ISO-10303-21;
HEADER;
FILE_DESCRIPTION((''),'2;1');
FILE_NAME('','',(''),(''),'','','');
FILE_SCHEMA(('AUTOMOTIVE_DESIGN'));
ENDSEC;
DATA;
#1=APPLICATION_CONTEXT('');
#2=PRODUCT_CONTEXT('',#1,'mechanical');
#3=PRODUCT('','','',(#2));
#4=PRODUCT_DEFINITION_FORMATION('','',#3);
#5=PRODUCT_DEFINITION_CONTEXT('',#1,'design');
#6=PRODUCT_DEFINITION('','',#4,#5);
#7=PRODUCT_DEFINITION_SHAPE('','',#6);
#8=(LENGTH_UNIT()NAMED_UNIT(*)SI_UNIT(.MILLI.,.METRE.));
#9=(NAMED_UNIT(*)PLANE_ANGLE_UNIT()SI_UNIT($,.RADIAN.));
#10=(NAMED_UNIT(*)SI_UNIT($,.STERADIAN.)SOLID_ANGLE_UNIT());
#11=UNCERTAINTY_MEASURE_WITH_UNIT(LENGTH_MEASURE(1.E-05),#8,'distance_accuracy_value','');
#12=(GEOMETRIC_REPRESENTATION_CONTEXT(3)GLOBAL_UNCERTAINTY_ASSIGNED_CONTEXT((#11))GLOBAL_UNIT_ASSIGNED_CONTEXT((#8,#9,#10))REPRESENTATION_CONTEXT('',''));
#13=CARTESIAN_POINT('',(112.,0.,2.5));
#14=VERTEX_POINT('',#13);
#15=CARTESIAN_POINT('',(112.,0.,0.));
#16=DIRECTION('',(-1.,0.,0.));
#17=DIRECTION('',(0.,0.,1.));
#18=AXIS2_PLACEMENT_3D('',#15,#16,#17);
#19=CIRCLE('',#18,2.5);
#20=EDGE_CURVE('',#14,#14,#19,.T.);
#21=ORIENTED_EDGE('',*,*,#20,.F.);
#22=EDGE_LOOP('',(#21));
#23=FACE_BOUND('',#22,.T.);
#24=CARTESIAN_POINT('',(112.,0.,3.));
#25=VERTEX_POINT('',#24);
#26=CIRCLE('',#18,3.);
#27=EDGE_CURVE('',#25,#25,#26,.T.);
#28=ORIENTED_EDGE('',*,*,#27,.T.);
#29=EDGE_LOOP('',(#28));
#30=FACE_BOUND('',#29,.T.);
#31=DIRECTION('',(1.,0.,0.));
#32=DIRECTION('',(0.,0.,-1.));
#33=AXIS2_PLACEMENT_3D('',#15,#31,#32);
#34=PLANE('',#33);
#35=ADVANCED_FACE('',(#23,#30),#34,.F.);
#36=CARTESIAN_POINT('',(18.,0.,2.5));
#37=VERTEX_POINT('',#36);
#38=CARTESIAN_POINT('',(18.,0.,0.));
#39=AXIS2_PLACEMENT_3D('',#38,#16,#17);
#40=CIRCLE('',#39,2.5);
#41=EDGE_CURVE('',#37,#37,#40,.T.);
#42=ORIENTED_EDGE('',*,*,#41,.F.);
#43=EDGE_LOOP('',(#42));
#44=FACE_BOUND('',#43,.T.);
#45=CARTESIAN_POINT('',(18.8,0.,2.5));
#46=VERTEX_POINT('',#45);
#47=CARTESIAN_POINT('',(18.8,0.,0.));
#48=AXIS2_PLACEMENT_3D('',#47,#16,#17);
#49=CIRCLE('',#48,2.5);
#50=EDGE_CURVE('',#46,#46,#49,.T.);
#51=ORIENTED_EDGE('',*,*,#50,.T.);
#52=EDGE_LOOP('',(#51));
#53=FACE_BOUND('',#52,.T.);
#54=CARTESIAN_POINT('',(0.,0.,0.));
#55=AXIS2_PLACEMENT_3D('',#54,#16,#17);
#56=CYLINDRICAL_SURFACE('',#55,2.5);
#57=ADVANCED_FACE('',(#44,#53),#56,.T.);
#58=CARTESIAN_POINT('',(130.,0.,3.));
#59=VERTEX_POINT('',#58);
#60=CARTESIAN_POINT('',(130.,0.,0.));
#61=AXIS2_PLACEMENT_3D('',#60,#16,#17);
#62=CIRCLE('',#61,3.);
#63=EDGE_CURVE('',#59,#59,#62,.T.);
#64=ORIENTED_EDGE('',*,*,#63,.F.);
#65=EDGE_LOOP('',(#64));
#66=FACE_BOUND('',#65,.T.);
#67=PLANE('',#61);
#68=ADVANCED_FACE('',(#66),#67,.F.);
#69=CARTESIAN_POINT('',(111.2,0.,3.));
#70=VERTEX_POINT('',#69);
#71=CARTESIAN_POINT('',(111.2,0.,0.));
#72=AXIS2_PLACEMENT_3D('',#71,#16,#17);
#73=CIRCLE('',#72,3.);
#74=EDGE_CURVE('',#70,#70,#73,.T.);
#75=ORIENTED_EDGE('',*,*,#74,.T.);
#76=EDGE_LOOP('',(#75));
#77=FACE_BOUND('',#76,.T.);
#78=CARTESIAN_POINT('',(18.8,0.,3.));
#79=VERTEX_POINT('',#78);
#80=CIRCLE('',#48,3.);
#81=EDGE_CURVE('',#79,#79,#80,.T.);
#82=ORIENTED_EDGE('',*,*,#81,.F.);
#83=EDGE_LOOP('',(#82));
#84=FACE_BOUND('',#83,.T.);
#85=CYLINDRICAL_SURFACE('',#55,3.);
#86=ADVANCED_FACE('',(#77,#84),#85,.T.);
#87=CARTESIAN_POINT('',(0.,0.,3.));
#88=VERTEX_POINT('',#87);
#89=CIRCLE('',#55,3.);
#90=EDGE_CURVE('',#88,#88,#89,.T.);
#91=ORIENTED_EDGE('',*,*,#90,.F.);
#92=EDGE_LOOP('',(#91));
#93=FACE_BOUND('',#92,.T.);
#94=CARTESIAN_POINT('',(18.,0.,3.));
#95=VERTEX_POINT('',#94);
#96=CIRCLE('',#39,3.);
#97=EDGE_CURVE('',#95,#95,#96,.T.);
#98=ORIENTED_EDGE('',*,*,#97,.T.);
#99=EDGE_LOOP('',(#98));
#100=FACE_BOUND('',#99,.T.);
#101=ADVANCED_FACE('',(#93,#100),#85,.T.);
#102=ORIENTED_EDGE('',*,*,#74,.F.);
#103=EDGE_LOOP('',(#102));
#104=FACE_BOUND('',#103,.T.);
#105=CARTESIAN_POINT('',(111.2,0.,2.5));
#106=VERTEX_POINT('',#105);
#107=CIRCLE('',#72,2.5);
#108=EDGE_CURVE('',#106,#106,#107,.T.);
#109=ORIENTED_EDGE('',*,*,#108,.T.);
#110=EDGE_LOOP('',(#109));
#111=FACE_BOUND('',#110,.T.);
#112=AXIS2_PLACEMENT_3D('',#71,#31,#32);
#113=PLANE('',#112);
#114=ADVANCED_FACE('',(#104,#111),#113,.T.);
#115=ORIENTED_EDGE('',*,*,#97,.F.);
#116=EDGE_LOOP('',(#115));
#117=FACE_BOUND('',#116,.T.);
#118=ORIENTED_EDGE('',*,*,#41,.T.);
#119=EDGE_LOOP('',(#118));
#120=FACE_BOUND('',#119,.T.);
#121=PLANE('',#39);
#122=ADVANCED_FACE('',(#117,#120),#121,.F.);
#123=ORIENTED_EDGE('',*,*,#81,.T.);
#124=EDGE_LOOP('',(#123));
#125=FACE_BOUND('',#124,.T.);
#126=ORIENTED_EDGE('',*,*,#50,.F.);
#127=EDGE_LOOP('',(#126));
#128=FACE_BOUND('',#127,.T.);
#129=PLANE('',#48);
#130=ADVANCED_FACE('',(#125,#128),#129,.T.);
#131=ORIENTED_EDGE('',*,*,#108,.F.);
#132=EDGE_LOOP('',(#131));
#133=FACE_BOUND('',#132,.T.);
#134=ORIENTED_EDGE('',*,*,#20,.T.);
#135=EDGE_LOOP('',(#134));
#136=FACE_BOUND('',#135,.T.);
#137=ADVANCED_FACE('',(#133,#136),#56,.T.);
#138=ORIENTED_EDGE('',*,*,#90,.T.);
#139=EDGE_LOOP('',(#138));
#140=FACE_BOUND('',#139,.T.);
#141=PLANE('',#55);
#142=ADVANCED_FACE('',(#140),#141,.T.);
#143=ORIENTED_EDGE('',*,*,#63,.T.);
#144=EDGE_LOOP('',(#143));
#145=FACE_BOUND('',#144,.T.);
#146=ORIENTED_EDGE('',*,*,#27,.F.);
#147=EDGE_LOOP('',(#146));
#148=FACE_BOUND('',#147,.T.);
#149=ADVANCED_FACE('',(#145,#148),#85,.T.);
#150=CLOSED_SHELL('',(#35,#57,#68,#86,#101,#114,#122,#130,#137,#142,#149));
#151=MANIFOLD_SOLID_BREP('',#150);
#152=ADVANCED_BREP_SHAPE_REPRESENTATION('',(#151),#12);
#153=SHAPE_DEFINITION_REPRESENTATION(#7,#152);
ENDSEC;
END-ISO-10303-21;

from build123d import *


with BuildPart() as part:
    # Sketch2 → Revolve1 (revolve)
    with BuildSketch(Plane.XY, mode=Mode.PRIVATE) as revolve1_sk:
        Polygon((18.8, -3), (111.2, -3), (111.2, -2.5), (112, -2.5), (112, -3), (130, -3), (130, 0), (0, 0), (0, -3), (18, -3), (18, -2.5), (18.8, -2.5), align=None)
    revolve(revolve1_sk.sketch.rotate(Axis((0, 0, 0), (1, 0, 0)), 270), axis=Axis((0, 0, 0), (1, 0, 0)))


solid = part.part
